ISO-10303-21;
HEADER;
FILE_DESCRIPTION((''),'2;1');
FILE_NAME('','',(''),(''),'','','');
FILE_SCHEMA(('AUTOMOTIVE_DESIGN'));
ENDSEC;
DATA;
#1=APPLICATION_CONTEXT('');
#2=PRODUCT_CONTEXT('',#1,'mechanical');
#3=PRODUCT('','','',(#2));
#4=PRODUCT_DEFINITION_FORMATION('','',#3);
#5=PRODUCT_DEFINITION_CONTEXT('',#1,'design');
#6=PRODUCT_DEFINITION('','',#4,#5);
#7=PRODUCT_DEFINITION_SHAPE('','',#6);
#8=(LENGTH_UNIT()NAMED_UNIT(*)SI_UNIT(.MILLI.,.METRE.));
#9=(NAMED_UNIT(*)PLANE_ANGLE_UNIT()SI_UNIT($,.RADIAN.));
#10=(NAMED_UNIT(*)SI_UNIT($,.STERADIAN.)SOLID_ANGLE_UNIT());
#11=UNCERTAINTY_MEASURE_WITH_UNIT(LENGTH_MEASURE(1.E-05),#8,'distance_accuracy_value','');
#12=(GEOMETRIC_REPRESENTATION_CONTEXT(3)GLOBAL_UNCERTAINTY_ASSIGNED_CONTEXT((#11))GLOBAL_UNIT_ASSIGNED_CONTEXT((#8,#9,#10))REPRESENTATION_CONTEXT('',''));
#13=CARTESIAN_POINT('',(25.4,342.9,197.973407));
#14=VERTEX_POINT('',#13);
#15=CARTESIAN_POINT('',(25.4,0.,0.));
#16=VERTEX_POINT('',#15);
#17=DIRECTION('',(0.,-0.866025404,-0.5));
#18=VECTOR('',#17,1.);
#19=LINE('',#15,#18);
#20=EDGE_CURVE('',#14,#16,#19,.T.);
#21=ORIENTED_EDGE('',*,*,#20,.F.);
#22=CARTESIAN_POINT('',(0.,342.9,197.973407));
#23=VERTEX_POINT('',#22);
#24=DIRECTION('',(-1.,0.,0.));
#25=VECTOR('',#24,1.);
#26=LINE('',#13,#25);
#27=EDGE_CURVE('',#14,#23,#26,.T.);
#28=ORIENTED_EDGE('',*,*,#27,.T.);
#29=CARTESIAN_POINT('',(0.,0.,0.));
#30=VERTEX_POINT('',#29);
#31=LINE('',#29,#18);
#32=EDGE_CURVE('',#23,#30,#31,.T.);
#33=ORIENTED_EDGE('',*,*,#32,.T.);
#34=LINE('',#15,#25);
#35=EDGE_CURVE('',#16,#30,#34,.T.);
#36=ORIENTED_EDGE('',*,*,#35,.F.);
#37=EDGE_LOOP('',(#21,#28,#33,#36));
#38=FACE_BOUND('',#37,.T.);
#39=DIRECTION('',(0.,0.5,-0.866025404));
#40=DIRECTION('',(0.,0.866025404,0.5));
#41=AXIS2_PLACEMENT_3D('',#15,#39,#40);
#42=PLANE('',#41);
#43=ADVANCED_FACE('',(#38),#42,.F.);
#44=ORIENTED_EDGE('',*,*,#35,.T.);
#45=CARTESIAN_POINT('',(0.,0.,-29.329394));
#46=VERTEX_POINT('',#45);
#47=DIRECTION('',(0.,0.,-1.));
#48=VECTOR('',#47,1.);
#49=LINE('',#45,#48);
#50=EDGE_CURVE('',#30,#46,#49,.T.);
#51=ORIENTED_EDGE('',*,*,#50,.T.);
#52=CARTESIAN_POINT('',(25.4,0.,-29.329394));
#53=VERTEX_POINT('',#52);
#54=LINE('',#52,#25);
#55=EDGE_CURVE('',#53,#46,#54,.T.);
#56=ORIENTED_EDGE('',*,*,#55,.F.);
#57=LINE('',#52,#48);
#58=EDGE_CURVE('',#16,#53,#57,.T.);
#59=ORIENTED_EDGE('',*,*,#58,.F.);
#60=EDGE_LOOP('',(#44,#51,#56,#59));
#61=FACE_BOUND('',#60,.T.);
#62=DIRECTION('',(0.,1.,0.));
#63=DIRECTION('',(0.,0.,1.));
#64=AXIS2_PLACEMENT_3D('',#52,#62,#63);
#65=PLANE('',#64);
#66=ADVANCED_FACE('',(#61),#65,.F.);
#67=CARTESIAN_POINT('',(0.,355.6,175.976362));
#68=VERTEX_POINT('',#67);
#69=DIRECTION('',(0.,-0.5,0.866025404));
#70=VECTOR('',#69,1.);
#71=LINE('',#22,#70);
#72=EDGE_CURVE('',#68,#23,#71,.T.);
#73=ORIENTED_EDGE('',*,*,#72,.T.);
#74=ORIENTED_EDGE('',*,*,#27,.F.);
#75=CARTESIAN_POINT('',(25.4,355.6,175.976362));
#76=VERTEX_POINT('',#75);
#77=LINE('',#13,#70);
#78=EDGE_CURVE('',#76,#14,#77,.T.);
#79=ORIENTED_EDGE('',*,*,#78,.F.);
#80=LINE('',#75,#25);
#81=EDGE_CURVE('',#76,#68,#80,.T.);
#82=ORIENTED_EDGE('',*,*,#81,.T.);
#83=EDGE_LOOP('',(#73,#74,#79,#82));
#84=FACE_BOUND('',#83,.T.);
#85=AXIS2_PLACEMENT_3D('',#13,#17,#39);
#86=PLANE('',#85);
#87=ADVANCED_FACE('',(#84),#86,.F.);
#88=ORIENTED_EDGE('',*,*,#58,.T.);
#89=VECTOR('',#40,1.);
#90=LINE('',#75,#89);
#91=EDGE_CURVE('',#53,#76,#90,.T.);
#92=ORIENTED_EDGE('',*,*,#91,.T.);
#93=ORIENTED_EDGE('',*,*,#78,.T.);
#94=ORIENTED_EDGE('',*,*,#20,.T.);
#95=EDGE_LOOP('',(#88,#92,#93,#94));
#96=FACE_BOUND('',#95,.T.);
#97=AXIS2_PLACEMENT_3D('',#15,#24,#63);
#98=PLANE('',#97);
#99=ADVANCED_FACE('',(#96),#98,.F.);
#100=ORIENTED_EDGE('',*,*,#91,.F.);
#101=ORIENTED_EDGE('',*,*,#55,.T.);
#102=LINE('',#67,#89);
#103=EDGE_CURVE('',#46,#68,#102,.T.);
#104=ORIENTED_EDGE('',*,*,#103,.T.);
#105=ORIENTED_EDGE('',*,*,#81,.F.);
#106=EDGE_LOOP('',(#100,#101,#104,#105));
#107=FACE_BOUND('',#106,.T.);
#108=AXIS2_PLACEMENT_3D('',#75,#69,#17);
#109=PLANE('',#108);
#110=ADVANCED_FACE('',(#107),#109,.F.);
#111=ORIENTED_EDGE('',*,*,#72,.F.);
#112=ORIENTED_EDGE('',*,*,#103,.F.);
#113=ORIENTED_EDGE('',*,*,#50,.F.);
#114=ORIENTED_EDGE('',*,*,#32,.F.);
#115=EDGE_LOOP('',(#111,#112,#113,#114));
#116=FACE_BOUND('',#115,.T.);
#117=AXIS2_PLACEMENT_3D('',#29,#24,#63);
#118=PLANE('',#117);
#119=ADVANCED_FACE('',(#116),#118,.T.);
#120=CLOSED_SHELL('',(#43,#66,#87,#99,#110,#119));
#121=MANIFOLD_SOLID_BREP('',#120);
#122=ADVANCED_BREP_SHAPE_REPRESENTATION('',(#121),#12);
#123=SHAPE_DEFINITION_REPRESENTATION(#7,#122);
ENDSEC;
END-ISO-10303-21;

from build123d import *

# Parameters (mm, degrees)
BOSS_EXTRUDE1_DEPTH = 25.4


with BuildPart() as part:
    # Sketch2 → Boss-Extrude1 (new body)
    with BuildSketch(Plane(origin=(0, 0, 0), x_dir=(0, 0, -1), z_dir=(1, 0, 0))):
        Polygon((0, 0), (-197.973407305, 342.9), (-175.976362049, 355.6), (29.329393675, 0), align=None)
    extrude(amount=BOSS_EXTRUDE1_DEPTH)


solid = part.part
